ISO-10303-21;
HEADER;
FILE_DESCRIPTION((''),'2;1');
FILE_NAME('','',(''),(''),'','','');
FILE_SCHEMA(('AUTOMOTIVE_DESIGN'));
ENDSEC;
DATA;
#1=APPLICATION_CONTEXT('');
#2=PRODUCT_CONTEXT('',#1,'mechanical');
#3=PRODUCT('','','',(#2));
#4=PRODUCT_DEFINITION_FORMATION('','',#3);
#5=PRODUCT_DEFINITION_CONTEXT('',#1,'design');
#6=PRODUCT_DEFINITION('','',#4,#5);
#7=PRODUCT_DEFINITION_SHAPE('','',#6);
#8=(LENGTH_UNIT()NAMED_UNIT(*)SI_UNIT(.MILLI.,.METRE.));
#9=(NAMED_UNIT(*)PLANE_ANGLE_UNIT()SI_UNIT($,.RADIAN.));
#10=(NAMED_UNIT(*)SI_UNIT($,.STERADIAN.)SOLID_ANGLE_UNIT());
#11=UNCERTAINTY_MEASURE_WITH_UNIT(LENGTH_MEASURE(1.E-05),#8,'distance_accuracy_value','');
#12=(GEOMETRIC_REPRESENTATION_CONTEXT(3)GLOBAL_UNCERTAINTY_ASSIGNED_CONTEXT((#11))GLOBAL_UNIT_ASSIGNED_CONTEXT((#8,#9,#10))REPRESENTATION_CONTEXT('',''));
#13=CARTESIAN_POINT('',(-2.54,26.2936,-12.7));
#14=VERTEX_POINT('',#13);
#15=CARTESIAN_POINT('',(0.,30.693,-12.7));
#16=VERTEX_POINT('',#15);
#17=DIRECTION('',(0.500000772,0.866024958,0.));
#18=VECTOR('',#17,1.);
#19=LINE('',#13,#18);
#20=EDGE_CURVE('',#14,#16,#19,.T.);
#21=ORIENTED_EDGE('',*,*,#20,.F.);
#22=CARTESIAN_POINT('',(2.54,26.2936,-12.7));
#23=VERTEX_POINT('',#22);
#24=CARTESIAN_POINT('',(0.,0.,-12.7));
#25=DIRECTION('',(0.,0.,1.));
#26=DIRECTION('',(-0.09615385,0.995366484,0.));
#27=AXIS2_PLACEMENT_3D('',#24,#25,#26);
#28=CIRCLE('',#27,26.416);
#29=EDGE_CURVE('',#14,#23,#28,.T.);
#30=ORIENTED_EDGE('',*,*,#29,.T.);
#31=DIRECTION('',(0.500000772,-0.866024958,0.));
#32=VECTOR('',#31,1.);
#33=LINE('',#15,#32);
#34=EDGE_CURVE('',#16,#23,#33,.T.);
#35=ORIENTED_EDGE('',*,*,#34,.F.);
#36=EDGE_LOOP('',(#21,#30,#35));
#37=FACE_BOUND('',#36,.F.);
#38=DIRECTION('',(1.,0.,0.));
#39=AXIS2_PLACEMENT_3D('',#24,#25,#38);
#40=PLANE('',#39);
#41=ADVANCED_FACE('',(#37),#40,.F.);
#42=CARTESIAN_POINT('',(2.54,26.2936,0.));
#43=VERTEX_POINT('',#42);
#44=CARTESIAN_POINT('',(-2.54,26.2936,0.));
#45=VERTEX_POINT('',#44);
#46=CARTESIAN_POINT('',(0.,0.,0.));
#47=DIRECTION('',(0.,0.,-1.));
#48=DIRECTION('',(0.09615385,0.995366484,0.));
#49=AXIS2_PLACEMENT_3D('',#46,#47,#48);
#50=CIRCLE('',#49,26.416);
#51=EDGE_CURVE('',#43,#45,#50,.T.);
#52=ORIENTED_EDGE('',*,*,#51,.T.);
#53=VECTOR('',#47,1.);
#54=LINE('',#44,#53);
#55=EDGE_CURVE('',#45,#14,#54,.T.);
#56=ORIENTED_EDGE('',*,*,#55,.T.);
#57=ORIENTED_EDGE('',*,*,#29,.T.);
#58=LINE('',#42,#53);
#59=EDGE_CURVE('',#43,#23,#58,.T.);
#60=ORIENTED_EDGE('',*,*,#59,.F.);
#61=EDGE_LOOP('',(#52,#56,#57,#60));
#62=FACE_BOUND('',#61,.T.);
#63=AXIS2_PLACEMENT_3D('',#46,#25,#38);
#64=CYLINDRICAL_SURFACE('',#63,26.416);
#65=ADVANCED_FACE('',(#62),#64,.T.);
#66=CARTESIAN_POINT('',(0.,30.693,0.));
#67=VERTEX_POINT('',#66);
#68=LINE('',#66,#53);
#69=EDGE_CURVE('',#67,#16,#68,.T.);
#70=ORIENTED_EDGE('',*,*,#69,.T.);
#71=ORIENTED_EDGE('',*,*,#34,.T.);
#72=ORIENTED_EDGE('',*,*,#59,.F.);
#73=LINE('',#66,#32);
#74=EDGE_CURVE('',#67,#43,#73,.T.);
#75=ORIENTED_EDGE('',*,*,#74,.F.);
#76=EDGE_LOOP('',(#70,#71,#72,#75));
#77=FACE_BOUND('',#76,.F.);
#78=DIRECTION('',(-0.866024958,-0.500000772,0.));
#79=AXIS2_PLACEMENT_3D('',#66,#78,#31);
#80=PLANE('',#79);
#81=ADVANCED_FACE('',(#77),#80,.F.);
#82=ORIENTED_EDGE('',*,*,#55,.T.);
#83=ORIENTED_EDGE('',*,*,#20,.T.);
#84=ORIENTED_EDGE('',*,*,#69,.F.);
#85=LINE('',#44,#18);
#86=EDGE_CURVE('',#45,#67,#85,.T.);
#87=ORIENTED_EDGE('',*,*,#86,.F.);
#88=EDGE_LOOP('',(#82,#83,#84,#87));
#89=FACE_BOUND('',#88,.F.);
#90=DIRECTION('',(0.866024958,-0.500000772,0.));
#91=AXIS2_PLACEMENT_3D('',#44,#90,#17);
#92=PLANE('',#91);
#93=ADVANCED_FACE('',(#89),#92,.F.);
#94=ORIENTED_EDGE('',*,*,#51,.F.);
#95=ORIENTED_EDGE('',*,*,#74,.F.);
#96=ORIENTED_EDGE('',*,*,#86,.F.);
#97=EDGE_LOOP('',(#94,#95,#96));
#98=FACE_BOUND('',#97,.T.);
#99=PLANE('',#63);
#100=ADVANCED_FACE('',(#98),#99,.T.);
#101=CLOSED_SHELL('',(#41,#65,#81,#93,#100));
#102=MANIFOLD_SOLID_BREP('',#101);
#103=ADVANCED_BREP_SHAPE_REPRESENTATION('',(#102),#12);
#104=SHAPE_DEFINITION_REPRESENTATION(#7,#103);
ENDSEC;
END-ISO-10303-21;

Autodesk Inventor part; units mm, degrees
ref_plane "YZ Plane" through (0, 0, 0) normal (1, 0, 0) x (0, 1, 0)
ref_plane "XZ Plane" through (0, 0, 0) normal (0, 1, 0) x (-1, 0, 0)
ref_plane "XY Plane" through (0, 0, 0) normal (0, 0, 1) x (1, 0, 0)
sketch "Sketch1" plane through (0, 0, 0) normal (0, 0, 1) x (1, 0, 0)
  circle A0 centre (0, 0) radius 26.416
  line L0 (-2.54, 26.2936) -> (0, 30.693)
  line L1 (0, 30.693) -> (2.54, 26.2936)
  line L2 (-2.54, 26.2936) -> (2.54, 26.2936)
  dimension "d0" = 52.832
  dimension "d5" = 5.08
extrude "Extrusion1" add sketch "Sketch1" against normal blind 12.7
equation "\"d0\" = 13.208 * scale"
equation "\"d5\" = 1.27 * scale"
equation "\"d1\" = 3.175 * scale"
equation "\"scale\" = 4"
properties part number "12_ref"
